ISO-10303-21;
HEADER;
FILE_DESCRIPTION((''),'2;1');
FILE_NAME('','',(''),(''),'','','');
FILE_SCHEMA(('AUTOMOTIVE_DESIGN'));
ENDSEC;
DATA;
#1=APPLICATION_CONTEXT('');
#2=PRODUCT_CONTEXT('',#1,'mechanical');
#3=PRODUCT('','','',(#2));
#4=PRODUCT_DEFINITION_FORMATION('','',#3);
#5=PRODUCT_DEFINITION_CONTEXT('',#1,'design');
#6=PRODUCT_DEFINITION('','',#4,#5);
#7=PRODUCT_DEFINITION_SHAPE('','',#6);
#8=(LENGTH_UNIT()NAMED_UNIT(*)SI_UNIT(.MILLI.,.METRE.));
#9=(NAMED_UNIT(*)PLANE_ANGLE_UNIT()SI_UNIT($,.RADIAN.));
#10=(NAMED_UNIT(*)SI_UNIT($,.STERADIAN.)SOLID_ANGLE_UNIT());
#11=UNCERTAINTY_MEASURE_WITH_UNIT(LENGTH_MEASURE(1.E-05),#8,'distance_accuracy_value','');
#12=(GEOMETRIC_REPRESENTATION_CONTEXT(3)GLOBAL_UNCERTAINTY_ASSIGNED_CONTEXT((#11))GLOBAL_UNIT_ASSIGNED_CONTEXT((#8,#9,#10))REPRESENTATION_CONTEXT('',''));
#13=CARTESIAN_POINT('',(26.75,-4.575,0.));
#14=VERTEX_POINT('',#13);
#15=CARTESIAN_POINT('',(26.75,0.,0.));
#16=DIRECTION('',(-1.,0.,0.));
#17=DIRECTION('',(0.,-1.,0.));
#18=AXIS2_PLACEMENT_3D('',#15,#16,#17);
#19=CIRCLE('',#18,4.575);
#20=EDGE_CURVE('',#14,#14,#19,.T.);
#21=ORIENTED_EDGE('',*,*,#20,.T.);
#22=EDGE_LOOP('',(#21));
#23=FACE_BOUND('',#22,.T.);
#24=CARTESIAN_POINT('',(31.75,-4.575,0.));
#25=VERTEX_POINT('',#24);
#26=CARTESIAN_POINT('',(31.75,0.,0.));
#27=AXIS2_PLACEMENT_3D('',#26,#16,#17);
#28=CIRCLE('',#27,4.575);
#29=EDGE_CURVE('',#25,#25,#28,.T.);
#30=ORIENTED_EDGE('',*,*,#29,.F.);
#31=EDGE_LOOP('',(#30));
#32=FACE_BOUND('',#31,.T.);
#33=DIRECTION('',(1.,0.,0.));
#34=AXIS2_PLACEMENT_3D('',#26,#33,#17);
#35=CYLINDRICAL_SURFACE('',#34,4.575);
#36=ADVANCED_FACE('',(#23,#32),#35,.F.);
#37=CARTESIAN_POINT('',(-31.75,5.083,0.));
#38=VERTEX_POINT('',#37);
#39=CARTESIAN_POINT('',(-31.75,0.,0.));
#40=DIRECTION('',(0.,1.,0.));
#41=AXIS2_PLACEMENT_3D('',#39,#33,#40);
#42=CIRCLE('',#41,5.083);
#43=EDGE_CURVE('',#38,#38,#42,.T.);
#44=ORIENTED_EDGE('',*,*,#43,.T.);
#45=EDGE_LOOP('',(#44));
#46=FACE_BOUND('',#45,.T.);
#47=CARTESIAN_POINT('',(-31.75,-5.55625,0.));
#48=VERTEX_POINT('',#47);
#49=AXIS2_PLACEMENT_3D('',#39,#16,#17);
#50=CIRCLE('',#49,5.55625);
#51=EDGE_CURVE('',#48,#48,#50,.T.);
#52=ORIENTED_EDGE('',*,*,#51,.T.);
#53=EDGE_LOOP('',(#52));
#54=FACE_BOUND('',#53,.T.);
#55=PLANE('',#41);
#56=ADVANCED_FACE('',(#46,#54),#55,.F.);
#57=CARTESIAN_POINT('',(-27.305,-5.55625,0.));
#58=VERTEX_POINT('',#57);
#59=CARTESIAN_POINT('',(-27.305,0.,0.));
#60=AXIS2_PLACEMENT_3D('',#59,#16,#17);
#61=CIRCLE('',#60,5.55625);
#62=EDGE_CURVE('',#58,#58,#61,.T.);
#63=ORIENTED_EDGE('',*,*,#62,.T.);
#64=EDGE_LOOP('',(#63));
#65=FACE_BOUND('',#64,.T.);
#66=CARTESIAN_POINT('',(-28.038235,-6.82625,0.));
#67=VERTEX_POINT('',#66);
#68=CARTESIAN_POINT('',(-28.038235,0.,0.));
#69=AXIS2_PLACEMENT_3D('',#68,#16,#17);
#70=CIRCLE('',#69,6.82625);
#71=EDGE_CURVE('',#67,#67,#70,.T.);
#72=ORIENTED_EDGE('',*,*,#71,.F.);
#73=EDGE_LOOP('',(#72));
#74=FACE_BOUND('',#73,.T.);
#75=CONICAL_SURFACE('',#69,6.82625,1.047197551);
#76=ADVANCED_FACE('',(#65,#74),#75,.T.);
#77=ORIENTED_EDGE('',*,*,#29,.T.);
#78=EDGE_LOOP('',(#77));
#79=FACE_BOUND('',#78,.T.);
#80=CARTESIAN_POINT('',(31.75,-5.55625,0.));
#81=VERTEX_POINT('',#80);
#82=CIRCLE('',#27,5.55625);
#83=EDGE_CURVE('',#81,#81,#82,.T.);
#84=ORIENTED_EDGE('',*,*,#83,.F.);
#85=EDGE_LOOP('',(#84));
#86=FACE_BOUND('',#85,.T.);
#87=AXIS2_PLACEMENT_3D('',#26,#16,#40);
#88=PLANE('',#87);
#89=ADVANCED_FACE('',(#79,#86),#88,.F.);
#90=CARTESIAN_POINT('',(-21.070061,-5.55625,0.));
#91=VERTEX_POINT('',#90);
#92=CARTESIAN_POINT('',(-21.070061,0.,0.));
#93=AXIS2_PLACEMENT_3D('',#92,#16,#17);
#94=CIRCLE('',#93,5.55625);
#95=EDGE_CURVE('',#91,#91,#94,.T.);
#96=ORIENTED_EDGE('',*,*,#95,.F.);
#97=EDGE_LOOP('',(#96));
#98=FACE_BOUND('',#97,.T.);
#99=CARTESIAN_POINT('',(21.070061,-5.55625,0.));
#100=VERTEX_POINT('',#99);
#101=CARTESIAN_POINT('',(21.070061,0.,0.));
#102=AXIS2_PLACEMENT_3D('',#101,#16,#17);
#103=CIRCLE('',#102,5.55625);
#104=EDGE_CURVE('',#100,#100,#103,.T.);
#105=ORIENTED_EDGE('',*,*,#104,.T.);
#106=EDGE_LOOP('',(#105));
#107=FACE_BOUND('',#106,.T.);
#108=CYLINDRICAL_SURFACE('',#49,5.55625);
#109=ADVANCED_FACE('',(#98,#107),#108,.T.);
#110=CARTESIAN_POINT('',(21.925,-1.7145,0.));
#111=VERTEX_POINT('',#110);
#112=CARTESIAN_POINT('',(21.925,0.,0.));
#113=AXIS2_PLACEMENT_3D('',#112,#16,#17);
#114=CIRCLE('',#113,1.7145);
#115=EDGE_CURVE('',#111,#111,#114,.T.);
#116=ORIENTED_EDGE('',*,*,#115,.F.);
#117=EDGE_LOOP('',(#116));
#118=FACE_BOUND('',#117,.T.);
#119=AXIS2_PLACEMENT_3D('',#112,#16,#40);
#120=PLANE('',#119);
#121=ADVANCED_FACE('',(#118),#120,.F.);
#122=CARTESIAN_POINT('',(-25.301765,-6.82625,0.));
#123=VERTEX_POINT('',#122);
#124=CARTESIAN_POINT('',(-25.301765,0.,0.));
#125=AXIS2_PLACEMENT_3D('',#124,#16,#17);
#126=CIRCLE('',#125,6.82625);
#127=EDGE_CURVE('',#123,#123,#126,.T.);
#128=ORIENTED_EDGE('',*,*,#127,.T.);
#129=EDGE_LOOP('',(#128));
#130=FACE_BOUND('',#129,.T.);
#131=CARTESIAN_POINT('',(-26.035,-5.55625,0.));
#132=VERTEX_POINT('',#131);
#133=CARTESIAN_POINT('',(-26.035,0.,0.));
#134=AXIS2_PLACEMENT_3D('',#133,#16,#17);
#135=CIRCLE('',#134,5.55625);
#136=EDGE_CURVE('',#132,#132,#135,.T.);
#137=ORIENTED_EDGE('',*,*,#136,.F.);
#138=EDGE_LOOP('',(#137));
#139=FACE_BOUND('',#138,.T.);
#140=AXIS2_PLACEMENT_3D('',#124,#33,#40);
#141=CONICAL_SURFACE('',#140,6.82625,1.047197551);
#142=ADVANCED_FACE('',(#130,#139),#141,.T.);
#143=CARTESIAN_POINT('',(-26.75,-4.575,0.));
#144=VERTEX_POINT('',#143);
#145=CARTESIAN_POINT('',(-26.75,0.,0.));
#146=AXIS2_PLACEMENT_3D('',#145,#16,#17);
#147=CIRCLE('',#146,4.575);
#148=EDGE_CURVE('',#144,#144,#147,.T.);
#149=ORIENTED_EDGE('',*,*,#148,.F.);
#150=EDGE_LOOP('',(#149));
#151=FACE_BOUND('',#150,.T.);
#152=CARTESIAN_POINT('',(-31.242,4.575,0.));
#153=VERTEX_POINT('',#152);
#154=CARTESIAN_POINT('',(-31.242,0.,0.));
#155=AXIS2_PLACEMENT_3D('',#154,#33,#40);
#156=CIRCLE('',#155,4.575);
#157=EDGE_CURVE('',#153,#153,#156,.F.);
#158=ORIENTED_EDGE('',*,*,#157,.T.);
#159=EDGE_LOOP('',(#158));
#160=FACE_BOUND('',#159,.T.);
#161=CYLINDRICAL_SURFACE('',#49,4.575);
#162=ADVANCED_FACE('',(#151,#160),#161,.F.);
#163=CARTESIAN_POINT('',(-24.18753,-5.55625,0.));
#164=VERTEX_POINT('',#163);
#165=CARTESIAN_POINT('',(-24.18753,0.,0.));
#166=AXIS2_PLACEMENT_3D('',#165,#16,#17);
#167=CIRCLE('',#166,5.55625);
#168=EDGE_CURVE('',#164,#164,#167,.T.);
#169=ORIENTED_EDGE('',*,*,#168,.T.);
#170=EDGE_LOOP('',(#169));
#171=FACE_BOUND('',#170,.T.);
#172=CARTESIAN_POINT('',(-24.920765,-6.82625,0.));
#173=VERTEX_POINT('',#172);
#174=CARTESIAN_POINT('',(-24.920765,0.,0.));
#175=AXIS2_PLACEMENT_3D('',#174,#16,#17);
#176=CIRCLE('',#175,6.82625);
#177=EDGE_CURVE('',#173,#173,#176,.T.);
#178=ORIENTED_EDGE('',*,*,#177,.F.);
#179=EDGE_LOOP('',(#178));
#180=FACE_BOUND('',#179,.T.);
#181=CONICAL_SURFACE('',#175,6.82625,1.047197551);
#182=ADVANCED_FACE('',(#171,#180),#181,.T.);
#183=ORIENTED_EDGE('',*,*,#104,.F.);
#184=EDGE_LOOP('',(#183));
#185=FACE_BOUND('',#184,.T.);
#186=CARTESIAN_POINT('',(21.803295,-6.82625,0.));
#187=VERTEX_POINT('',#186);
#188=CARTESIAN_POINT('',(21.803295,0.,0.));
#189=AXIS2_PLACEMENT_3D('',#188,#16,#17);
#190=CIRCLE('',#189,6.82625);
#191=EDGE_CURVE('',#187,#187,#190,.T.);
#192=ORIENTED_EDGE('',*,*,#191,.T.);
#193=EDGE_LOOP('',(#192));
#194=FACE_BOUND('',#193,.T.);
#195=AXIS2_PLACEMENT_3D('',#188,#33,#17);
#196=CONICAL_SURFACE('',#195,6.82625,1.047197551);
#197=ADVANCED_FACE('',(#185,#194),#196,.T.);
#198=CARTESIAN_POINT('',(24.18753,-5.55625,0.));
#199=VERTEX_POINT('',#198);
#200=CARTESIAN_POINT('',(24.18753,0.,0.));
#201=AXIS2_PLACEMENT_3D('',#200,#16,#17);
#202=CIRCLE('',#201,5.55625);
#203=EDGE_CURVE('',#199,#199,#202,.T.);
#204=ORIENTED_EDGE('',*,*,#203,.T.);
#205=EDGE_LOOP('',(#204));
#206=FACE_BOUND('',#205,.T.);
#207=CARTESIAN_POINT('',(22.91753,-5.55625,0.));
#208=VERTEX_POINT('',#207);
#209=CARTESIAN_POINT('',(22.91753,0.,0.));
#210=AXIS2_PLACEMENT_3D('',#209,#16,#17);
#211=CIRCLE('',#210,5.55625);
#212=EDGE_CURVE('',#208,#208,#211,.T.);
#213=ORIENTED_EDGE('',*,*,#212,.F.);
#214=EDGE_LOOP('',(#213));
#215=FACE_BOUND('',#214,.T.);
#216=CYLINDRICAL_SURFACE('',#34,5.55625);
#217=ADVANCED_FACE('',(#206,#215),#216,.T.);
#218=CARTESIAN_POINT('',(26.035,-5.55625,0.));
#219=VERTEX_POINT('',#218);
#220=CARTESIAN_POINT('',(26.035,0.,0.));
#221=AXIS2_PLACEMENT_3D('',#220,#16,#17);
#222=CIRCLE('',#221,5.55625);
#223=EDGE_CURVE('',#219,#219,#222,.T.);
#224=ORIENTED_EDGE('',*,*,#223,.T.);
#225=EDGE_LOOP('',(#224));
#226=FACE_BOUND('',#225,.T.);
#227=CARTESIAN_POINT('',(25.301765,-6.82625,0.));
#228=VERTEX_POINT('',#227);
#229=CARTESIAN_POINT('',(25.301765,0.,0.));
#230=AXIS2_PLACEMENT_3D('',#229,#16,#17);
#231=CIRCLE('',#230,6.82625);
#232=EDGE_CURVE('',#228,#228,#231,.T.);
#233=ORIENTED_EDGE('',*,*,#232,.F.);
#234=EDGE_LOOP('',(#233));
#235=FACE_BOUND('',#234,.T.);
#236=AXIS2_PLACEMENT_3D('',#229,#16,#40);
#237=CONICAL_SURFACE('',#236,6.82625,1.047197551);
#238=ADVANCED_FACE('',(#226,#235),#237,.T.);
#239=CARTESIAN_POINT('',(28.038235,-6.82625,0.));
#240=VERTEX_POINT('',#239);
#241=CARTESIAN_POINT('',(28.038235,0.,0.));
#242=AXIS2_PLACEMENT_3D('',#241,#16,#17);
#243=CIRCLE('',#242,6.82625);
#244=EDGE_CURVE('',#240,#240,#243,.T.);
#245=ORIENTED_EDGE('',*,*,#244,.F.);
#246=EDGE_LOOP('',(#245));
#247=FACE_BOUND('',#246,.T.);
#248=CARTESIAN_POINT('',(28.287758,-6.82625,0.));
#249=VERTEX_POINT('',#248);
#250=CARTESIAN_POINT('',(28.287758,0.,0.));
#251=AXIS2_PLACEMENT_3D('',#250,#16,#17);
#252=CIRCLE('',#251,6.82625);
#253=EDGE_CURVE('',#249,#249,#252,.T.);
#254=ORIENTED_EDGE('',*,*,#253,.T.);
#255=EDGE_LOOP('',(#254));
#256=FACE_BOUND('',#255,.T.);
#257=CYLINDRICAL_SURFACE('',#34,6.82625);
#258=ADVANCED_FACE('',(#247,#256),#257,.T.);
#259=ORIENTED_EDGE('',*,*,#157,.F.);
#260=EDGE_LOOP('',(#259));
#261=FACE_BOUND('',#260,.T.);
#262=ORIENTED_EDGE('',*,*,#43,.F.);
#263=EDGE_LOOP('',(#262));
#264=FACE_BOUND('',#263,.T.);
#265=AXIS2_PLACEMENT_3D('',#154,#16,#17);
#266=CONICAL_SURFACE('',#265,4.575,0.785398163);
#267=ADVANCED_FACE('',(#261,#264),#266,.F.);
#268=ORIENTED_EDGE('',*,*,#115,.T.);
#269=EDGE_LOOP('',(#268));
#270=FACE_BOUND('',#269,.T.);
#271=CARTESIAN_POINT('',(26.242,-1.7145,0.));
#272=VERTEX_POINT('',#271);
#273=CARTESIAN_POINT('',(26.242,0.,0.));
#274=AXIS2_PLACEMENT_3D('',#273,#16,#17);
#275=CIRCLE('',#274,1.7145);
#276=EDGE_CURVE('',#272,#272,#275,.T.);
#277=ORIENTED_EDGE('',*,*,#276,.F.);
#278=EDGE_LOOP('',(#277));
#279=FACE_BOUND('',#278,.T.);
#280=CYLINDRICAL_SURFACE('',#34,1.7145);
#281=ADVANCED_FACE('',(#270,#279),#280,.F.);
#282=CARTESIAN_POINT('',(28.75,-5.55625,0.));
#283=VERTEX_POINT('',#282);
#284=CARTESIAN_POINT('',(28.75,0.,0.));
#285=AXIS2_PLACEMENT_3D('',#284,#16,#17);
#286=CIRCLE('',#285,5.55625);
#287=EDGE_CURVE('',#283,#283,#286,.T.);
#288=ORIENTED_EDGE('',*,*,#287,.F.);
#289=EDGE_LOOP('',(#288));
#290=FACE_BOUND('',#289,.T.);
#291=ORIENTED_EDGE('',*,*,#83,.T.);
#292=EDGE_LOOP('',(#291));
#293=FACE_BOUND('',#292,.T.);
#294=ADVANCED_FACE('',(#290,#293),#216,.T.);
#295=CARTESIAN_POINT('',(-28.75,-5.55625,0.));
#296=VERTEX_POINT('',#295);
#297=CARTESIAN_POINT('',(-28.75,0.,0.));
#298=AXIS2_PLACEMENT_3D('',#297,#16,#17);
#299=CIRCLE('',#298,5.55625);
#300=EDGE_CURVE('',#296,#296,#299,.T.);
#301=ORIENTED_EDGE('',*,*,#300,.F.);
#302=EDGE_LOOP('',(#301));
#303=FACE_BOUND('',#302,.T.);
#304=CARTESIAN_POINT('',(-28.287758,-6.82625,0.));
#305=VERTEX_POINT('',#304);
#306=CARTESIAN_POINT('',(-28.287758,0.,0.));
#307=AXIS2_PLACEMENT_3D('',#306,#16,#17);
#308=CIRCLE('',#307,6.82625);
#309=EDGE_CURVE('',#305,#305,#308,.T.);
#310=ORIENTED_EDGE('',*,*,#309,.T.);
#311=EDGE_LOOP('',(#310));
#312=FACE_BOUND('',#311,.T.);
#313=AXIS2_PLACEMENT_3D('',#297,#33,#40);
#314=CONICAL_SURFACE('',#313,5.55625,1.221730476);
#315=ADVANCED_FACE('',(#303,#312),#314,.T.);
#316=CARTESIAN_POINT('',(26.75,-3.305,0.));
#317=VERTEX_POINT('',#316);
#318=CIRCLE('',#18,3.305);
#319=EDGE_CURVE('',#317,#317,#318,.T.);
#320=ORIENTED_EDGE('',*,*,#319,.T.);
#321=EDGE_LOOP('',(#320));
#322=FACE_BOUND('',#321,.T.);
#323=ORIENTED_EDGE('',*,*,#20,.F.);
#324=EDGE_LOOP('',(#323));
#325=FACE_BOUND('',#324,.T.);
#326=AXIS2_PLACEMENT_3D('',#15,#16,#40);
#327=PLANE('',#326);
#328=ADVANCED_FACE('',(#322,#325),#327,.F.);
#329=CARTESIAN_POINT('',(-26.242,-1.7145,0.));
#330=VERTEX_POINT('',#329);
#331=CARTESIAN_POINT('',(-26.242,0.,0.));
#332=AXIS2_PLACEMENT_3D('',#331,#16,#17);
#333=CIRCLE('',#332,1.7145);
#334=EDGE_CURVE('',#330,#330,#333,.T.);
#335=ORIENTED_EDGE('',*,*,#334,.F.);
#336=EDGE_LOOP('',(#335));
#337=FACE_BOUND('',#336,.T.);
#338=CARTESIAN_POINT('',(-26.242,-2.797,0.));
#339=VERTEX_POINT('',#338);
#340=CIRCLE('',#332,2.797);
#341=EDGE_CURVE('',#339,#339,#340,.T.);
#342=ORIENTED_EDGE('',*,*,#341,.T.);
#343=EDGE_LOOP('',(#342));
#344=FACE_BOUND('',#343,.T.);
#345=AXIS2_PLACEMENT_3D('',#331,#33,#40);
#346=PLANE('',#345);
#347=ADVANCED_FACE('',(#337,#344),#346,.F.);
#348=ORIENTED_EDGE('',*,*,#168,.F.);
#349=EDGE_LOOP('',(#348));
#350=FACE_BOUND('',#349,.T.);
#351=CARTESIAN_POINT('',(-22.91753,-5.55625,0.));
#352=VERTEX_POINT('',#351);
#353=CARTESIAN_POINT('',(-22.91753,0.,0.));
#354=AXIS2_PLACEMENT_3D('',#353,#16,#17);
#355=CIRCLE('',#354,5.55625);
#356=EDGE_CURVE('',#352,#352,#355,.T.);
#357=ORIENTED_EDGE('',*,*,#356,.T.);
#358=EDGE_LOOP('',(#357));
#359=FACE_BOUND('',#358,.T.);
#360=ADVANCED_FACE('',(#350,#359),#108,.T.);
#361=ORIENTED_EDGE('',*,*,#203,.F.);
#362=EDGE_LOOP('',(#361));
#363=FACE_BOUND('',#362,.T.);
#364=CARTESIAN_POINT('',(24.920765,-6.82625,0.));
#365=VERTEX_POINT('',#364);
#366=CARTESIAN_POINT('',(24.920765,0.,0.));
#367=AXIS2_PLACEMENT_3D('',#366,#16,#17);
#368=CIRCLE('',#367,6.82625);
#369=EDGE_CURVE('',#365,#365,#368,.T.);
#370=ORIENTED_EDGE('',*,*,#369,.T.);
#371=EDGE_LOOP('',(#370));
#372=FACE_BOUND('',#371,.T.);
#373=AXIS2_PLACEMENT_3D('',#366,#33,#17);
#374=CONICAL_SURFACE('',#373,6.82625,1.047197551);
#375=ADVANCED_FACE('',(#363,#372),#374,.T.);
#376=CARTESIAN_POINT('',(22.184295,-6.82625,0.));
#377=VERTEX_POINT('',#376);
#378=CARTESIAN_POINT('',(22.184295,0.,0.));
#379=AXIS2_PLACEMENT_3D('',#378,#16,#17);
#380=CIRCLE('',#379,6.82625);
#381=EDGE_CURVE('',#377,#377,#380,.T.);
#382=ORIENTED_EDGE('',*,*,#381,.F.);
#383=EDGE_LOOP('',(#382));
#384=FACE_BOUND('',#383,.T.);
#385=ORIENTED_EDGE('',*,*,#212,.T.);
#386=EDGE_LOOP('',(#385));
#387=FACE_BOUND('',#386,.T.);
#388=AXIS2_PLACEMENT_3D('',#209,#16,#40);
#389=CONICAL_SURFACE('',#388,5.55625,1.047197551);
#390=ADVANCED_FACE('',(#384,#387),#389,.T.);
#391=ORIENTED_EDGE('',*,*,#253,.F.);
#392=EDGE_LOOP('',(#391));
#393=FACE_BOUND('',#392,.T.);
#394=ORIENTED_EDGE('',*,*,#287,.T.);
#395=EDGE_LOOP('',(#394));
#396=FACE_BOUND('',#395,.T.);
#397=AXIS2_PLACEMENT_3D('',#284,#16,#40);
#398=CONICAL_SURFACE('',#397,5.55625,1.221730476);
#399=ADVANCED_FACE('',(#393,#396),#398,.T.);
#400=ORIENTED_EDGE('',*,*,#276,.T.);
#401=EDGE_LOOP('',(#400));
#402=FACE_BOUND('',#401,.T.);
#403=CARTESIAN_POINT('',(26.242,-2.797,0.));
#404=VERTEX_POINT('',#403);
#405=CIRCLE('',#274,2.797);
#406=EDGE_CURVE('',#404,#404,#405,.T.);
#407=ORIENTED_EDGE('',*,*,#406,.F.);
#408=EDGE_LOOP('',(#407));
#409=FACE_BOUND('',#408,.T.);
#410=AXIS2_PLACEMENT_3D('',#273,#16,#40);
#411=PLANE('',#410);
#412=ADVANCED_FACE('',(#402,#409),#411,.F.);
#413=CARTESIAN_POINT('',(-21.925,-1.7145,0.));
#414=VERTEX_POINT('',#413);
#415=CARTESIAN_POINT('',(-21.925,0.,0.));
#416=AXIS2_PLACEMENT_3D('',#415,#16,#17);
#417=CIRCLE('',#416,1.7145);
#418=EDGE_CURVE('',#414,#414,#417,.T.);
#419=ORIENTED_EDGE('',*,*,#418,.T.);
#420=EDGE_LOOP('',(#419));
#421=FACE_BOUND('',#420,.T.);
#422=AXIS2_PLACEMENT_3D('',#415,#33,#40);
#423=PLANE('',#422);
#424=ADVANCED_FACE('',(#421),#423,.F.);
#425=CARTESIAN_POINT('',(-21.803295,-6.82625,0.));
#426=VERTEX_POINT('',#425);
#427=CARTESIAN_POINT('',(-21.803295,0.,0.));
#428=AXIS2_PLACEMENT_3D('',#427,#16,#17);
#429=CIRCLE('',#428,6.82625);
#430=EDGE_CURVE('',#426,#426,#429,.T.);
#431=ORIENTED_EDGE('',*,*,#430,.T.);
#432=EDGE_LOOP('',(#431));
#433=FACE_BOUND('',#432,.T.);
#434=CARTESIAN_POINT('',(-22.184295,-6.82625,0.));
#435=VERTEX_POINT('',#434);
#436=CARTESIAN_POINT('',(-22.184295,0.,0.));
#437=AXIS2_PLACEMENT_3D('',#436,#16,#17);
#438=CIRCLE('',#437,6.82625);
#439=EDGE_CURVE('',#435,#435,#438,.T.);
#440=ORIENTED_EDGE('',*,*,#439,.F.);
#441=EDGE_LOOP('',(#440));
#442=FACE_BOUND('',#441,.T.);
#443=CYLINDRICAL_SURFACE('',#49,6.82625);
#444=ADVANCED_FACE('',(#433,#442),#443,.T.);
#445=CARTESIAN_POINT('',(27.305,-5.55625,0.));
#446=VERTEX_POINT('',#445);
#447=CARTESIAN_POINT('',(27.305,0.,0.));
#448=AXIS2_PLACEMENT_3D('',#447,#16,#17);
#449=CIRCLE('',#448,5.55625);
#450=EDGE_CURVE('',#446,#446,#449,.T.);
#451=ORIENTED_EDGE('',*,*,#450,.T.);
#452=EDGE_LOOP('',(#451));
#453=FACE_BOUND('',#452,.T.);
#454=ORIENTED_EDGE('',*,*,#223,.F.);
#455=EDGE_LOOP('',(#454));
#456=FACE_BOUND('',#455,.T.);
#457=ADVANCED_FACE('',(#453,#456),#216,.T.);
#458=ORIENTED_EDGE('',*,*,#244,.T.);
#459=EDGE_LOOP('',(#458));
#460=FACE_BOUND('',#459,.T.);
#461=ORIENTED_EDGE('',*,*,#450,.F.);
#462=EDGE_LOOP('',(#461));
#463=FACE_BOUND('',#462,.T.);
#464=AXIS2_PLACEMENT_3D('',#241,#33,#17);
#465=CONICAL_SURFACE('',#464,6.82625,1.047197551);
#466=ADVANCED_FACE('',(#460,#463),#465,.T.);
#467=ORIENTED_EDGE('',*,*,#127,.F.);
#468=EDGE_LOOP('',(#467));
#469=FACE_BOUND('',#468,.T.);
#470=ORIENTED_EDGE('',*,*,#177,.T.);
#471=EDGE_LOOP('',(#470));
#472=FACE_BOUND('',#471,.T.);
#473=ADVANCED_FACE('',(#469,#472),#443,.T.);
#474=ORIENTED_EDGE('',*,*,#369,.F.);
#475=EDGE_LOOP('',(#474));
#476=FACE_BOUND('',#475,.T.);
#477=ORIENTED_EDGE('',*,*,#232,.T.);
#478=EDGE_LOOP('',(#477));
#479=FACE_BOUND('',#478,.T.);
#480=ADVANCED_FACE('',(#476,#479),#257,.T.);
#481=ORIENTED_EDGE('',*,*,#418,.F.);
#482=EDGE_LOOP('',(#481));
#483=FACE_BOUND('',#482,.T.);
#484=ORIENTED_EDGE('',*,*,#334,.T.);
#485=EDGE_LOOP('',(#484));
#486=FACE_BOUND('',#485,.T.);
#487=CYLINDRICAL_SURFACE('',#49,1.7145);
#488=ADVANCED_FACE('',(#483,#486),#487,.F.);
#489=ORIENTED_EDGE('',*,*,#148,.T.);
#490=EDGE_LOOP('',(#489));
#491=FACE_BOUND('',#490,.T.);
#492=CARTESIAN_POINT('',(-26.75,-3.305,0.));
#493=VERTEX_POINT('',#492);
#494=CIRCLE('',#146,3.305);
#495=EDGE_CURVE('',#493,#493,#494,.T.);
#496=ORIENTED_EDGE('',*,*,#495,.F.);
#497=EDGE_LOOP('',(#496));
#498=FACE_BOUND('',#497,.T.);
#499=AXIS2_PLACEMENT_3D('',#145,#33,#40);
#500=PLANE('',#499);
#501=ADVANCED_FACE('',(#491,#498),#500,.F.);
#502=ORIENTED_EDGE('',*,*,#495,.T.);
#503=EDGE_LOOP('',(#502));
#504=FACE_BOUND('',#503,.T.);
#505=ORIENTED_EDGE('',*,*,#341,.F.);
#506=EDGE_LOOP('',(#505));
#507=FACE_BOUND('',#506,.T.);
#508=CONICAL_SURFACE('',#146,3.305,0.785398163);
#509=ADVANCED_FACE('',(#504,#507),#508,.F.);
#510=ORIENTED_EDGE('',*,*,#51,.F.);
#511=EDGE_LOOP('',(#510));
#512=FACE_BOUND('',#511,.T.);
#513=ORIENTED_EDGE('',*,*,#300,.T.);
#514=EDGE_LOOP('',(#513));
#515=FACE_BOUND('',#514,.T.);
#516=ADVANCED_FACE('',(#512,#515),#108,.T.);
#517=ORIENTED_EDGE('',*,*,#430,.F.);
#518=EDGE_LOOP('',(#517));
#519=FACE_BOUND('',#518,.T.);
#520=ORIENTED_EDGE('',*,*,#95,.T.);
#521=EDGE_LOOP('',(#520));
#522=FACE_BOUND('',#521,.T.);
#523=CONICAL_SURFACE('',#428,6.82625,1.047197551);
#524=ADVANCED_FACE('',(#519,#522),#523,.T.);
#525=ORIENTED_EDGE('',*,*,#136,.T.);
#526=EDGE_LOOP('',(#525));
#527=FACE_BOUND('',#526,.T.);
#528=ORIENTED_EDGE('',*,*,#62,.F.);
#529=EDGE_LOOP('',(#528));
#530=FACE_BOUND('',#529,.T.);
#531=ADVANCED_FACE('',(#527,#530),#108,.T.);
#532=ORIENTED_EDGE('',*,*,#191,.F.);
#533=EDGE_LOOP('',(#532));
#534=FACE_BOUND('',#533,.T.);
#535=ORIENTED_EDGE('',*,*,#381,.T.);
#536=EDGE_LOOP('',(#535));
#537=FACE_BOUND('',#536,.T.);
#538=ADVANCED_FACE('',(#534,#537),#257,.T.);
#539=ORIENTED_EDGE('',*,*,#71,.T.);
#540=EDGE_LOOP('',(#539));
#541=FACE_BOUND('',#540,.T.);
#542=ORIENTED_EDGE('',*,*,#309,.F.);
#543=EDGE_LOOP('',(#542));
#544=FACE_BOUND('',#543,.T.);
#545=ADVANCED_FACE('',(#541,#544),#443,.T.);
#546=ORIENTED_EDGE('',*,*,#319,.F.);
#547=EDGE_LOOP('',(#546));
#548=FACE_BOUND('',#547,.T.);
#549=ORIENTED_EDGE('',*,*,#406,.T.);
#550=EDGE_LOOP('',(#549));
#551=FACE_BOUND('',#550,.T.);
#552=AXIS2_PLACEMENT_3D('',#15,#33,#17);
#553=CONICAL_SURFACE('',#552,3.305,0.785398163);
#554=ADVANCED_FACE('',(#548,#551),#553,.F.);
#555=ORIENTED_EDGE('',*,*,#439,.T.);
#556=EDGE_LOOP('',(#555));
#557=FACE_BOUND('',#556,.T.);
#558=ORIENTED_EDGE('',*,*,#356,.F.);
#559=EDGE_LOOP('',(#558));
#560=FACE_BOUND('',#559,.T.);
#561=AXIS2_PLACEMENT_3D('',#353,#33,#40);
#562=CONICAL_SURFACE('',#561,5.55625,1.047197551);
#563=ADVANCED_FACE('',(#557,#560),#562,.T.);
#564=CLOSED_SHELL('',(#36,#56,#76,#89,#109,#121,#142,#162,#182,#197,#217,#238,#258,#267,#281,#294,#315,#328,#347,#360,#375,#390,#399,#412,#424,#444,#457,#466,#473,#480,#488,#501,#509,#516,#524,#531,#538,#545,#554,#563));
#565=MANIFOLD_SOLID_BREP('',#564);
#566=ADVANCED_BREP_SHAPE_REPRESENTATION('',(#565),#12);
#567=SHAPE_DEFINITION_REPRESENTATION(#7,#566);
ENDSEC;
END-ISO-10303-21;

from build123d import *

# Parameters (mm, degrees)
CHAMFER1_SIZE = 0.508


with BuildPart() as part:
    # Sketch2 → Revolve1 (revolve)
    with BuildSketch(Plane.XY, mode=Mode.PRIVATE) as revolve1_sk:
        Polygon((-28.75, 5.55625), (-31.75, 5.55625), (-31.75, 4.575), (-26.75, 4.575), (-26.75, 3.305), (-26.242, 2.797), (-26.242, 1.7145), (-21.925, 1.7145), (-21.925, 0), (0, 0), (0, 3.175), (0, 5.55625), (-21.070060633, 5.55625), (-21.803295474, 6.82625), (-22.184295474, 6.82625), (-22.917530316, 5.55625), (-24.187530316, 5.55625), (-24.920765158, 6.82625), (-25.301765158, 6.82625), (-26.035, 5.55625), (-27.305, 5.55625), (-28.038234842, 6.82625), (-28.287757802, 6.82625), align=None)
    revolve(revolve1_sk.sketch.rotate(Axis((-31.75, 0, 0), (1, 0, 0)), 180), axis=Axis((-31.75, 0, 0), (1, 0, 0)))

    # Mirror1: part across plane


with BuildPart() as part_1:
    add(part.part)
    add(part.part.mirror(Plane(origin=(0, 0, 0), x_dir=(0, 0, 1), z_dir=(1, 0, 0))))

    # Chamfer1
    chamfer1_edges = [part_1.edges().sort_by_distance(p)[0] for p in [
        (-31.75, 4.575, 0),
    ]]
    chamfer(chamfer1_edges, length=CHAMFER1_SIZE)


solid = part_1.part
